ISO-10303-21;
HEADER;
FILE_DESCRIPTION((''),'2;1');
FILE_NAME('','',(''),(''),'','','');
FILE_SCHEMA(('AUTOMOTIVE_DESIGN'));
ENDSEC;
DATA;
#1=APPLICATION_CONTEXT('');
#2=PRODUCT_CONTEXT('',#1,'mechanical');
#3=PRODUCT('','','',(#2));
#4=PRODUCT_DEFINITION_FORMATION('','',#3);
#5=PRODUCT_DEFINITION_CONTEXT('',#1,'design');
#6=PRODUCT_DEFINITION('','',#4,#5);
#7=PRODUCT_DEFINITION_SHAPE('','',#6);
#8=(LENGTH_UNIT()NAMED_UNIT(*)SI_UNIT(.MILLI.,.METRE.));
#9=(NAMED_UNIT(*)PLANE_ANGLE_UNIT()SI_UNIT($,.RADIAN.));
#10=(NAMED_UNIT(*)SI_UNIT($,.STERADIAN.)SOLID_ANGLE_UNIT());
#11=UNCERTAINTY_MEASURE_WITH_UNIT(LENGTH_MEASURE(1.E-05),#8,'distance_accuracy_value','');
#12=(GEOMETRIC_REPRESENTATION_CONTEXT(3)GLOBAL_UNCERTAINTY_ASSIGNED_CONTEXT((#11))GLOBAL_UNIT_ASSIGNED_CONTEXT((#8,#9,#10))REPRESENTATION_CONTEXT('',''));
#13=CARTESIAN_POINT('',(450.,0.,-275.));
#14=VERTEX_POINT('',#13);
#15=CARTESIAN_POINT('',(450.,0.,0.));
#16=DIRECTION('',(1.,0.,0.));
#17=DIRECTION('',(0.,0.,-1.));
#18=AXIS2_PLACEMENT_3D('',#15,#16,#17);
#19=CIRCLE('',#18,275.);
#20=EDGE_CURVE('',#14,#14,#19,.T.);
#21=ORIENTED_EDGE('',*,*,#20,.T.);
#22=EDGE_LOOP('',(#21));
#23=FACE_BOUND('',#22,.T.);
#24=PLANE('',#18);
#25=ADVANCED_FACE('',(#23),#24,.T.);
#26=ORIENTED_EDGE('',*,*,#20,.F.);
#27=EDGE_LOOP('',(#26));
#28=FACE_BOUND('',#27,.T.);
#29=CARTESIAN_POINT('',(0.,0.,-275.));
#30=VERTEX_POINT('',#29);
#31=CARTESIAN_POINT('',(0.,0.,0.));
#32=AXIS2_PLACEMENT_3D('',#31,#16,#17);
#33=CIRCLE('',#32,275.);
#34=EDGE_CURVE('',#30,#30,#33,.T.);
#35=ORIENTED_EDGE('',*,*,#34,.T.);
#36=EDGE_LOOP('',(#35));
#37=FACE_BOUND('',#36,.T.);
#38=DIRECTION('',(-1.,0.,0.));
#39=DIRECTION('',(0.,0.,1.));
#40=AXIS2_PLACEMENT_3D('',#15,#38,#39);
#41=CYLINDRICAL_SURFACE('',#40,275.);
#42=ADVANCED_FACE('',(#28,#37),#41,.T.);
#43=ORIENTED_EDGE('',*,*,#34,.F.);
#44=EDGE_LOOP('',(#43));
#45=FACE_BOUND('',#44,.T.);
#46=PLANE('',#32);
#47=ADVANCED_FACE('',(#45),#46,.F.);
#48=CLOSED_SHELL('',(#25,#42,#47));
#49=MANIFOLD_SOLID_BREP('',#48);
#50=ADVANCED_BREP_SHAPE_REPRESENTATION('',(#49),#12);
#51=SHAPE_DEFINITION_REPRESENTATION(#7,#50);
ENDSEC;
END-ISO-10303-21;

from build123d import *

# Parameters (mm, degrees)
SKETCH_1_R      = 275
EXTRUDE_1_DEPTH = 450


with BuildPart() as part:
    # 草图1 → 凸台-拉伸1 (new body)
    with BuildSketch(Plane(origin=(0, 0, 0), x_dir=(0, 0, -1), z_dir=(1, 0, 0))):
        Circle(SKETCH_1_R)
    extrude(amount=EXTRUDE_1_DEPTH)


solid = part.part
